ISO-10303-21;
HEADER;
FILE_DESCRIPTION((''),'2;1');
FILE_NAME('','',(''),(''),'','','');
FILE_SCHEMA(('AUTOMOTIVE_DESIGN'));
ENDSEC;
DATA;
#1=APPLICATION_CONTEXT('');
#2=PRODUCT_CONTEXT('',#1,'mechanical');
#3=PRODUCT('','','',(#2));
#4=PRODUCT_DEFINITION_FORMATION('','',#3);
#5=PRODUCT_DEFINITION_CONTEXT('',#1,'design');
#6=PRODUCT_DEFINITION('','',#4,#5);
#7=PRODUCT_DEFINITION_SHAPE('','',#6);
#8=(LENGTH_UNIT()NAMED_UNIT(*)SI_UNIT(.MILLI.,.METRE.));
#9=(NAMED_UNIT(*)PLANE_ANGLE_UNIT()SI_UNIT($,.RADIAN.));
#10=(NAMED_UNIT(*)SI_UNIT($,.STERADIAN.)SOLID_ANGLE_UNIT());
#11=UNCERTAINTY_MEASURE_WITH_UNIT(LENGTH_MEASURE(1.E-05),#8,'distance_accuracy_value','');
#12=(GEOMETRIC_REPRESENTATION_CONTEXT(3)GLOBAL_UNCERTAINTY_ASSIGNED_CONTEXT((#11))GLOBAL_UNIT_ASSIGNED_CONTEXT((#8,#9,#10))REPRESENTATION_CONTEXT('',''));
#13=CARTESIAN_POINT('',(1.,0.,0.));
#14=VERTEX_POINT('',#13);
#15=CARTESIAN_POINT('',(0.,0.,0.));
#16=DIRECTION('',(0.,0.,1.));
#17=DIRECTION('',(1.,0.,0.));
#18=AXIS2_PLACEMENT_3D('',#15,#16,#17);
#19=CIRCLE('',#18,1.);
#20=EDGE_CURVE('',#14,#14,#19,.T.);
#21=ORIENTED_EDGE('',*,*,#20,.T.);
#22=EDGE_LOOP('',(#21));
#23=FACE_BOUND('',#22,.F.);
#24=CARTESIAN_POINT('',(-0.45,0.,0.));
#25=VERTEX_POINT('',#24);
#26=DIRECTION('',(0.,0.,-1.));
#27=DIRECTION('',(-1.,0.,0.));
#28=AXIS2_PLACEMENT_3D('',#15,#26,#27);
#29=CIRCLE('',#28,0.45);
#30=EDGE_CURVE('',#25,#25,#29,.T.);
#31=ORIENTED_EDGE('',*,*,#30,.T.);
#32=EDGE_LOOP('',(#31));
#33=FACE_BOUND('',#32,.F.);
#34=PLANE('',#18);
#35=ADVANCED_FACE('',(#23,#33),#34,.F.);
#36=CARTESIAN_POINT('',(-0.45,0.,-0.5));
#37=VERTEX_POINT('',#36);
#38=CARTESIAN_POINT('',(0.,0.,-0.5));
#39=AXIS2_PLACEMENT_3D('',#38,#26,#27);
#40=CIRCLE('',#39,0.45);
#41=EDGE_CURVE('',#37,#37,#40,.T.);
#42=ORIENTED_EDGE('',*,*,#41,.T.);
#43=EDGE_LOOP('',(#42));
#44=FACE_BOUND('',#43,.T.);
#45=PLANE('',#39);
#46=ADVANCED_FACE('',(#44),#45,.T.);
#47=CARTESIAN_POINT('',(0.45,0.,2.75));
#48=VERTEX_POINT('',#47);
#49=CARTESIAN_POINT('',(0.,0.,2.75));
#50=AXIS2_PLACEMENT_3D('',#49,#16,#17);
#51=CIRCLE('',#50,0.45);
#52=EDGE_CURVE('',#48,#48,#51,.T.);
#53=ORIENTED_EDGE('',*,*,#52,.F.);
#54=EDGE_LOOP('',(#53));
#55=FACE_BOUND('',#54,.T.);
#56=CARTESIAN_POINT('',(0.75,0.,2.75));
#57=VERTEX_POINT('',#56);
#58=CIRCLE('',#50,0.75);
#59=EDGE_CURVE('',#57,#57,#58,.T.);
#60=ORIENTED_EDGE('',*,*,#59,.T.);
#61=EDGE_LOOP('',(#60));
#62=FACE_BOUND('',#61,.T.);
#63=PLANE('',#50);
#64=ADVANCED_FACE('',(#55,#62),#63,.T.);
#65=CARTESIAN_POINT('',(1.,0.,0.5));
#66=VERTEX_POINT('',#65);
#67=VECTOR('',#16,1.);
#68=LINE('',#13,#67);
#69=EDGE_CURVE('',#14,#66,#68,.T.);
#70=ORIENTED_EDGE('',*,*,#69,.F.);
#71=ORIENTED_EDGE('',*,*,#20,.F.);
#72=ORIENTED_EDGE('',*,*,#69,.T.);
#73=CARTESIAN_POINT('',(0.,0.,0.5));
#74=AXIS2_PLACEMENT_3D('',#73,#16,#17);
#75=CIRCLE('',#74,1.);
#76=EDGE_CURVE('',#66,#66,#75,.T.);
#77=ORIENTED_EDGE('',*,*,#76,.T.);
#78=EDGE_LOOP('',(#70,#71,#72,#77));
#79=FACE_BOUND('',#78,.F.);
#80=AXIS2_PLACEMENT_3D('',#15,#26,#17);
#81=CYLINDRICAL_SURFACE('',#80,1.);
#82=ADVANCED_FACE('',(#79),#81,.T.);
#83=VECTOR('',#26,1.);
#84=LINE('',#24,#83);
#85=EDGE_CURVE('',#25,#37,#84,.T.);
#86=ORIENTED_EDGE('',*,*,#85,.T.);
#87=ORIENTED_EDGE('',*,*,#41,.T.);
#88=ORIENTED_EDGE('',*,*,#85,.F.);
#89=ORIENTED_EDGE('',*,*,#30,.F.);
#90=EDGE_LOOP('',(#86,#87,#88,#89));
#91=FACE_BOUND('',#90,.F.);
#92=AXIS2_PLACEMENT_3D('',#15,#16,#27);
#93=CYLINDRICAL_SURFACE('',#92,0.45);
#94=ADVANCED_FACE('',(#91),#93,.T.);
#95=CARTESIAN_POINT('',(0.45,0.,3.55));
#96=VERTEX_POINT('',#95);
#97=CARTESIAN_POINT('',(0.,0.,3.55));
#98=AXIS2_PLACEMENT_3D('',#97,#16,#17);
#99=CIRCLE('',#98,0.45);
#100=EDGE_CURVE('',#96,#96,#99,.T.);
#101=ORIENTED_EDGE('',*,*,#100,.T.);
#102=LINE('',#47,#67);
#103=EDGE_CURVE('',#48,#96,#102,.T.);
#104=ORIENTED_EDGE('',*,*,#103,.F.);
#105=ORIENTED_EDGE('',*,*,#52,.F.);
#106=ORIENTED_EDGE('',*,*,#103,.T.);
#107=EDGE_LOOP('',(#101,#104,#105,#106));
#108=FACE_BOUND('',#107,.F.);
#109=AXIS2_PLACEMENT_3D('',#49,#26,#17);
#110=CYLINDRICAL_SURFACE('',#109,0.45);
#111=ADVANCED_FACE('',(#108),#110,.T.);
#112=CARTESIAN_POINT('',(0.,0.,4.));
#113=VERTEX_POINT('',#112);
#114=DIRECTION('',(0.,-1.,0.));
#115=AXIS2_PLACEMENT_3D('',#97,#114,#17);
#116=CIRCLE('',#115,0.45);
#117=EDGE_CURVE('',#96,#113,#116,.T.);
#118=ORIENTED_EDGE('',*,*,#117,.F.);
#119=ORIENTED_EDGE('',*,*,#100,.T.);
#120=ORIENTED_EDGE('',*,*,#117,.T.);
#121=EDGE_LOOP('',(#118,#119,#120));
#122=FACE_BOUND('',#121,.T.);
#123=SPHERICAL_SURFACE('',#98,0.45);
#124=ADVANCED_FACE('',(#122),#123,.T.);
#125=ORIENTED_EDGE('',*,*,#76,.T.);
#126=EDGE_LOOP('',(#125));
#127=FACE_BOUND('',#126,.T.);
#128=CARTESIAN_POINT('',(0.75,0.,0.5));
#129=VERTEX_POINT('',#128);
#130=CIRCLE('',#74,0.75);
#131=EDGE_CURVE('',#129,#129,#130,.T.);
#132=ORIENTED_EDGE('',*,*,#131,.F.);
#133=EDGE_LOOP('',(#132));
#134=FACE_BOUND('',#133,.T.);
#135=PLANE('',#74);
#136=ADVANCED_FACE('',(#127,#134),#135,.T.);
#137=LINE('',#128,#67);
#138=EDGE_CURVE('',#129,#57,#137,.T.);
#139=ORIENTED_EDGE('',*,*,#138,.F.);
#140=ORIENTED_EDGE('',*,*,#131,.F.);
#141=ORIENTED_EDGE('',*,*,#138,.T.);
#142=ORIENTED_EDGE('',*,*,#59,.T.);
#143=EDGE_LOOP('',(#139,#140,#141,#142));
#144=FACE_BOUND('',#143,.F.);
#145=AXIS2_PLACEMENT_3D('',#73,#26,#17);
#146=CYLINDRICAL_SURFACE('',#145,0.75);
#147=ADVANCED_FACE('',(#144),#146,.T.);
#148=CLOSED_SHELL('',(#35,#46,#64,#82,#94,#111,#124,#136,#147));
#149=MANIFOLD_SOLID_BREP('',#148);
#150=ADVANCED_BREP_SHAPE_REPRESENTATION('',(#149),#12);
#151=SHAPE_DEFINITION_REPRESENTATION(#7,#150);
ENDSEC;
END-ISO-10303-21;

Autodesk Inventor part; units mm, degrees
ref_plane "YZ Plane" through (0, 0, 0) normal (1, 0, 0) x (0, 1, 0)
ref_plane "XZ Plane" through (0, 0, 0) normal (0, 1, 0) x (-1, 0, 0)
ref_plane "XY Plane" through (0, 0, 0) normal (0, 0, 1) x (1, 0, 0)
sketch "Skizze1" plane through (0, 0, 0) normal (0, 0, 1) x (1, 0, 0)
  circle A0 centre (0, 0) radius 1
  dimension "d0" = 2
extrude "Extrusion1" add sketch "Skizze1" along normal blind 0.5
sketch "Skizze2" plane through (0, 0, 0.5) normal (0, 0, 1) x (1, 0, 0)
  circle A0 centre (0, 0) radius 0.75
  dimension "d3" = 1.5
extrude "Extrusion2" add sketch "Skizze2" along normal blind 2.25
sketch "Skizze3" plane through (0, 0, 2.75) normal (0, 0, 1) x (1, 0, 0)
  circle A0 centre (0, 0) radius 0.45
  dimension "d6" = 0.9
extrude "Extrusion3" add sketch "Skizze3" along normal blind 1.25
fillet "Rundung1" radius 0.45 1 edges at (-0.45, 0, 4)
sketch "Skizze4" plane through (0, 0, 0) normal (0, 0, -1) x (-1, 0, 0)
  circle A0 centre (0, 0) radius 0.45
  dimension "d10" = 0.9
extrude "Extrusion4" add sketch "Skizze4" along normal blind 0.5
properties part number "PoGo_pin_sml" material "Gold"
